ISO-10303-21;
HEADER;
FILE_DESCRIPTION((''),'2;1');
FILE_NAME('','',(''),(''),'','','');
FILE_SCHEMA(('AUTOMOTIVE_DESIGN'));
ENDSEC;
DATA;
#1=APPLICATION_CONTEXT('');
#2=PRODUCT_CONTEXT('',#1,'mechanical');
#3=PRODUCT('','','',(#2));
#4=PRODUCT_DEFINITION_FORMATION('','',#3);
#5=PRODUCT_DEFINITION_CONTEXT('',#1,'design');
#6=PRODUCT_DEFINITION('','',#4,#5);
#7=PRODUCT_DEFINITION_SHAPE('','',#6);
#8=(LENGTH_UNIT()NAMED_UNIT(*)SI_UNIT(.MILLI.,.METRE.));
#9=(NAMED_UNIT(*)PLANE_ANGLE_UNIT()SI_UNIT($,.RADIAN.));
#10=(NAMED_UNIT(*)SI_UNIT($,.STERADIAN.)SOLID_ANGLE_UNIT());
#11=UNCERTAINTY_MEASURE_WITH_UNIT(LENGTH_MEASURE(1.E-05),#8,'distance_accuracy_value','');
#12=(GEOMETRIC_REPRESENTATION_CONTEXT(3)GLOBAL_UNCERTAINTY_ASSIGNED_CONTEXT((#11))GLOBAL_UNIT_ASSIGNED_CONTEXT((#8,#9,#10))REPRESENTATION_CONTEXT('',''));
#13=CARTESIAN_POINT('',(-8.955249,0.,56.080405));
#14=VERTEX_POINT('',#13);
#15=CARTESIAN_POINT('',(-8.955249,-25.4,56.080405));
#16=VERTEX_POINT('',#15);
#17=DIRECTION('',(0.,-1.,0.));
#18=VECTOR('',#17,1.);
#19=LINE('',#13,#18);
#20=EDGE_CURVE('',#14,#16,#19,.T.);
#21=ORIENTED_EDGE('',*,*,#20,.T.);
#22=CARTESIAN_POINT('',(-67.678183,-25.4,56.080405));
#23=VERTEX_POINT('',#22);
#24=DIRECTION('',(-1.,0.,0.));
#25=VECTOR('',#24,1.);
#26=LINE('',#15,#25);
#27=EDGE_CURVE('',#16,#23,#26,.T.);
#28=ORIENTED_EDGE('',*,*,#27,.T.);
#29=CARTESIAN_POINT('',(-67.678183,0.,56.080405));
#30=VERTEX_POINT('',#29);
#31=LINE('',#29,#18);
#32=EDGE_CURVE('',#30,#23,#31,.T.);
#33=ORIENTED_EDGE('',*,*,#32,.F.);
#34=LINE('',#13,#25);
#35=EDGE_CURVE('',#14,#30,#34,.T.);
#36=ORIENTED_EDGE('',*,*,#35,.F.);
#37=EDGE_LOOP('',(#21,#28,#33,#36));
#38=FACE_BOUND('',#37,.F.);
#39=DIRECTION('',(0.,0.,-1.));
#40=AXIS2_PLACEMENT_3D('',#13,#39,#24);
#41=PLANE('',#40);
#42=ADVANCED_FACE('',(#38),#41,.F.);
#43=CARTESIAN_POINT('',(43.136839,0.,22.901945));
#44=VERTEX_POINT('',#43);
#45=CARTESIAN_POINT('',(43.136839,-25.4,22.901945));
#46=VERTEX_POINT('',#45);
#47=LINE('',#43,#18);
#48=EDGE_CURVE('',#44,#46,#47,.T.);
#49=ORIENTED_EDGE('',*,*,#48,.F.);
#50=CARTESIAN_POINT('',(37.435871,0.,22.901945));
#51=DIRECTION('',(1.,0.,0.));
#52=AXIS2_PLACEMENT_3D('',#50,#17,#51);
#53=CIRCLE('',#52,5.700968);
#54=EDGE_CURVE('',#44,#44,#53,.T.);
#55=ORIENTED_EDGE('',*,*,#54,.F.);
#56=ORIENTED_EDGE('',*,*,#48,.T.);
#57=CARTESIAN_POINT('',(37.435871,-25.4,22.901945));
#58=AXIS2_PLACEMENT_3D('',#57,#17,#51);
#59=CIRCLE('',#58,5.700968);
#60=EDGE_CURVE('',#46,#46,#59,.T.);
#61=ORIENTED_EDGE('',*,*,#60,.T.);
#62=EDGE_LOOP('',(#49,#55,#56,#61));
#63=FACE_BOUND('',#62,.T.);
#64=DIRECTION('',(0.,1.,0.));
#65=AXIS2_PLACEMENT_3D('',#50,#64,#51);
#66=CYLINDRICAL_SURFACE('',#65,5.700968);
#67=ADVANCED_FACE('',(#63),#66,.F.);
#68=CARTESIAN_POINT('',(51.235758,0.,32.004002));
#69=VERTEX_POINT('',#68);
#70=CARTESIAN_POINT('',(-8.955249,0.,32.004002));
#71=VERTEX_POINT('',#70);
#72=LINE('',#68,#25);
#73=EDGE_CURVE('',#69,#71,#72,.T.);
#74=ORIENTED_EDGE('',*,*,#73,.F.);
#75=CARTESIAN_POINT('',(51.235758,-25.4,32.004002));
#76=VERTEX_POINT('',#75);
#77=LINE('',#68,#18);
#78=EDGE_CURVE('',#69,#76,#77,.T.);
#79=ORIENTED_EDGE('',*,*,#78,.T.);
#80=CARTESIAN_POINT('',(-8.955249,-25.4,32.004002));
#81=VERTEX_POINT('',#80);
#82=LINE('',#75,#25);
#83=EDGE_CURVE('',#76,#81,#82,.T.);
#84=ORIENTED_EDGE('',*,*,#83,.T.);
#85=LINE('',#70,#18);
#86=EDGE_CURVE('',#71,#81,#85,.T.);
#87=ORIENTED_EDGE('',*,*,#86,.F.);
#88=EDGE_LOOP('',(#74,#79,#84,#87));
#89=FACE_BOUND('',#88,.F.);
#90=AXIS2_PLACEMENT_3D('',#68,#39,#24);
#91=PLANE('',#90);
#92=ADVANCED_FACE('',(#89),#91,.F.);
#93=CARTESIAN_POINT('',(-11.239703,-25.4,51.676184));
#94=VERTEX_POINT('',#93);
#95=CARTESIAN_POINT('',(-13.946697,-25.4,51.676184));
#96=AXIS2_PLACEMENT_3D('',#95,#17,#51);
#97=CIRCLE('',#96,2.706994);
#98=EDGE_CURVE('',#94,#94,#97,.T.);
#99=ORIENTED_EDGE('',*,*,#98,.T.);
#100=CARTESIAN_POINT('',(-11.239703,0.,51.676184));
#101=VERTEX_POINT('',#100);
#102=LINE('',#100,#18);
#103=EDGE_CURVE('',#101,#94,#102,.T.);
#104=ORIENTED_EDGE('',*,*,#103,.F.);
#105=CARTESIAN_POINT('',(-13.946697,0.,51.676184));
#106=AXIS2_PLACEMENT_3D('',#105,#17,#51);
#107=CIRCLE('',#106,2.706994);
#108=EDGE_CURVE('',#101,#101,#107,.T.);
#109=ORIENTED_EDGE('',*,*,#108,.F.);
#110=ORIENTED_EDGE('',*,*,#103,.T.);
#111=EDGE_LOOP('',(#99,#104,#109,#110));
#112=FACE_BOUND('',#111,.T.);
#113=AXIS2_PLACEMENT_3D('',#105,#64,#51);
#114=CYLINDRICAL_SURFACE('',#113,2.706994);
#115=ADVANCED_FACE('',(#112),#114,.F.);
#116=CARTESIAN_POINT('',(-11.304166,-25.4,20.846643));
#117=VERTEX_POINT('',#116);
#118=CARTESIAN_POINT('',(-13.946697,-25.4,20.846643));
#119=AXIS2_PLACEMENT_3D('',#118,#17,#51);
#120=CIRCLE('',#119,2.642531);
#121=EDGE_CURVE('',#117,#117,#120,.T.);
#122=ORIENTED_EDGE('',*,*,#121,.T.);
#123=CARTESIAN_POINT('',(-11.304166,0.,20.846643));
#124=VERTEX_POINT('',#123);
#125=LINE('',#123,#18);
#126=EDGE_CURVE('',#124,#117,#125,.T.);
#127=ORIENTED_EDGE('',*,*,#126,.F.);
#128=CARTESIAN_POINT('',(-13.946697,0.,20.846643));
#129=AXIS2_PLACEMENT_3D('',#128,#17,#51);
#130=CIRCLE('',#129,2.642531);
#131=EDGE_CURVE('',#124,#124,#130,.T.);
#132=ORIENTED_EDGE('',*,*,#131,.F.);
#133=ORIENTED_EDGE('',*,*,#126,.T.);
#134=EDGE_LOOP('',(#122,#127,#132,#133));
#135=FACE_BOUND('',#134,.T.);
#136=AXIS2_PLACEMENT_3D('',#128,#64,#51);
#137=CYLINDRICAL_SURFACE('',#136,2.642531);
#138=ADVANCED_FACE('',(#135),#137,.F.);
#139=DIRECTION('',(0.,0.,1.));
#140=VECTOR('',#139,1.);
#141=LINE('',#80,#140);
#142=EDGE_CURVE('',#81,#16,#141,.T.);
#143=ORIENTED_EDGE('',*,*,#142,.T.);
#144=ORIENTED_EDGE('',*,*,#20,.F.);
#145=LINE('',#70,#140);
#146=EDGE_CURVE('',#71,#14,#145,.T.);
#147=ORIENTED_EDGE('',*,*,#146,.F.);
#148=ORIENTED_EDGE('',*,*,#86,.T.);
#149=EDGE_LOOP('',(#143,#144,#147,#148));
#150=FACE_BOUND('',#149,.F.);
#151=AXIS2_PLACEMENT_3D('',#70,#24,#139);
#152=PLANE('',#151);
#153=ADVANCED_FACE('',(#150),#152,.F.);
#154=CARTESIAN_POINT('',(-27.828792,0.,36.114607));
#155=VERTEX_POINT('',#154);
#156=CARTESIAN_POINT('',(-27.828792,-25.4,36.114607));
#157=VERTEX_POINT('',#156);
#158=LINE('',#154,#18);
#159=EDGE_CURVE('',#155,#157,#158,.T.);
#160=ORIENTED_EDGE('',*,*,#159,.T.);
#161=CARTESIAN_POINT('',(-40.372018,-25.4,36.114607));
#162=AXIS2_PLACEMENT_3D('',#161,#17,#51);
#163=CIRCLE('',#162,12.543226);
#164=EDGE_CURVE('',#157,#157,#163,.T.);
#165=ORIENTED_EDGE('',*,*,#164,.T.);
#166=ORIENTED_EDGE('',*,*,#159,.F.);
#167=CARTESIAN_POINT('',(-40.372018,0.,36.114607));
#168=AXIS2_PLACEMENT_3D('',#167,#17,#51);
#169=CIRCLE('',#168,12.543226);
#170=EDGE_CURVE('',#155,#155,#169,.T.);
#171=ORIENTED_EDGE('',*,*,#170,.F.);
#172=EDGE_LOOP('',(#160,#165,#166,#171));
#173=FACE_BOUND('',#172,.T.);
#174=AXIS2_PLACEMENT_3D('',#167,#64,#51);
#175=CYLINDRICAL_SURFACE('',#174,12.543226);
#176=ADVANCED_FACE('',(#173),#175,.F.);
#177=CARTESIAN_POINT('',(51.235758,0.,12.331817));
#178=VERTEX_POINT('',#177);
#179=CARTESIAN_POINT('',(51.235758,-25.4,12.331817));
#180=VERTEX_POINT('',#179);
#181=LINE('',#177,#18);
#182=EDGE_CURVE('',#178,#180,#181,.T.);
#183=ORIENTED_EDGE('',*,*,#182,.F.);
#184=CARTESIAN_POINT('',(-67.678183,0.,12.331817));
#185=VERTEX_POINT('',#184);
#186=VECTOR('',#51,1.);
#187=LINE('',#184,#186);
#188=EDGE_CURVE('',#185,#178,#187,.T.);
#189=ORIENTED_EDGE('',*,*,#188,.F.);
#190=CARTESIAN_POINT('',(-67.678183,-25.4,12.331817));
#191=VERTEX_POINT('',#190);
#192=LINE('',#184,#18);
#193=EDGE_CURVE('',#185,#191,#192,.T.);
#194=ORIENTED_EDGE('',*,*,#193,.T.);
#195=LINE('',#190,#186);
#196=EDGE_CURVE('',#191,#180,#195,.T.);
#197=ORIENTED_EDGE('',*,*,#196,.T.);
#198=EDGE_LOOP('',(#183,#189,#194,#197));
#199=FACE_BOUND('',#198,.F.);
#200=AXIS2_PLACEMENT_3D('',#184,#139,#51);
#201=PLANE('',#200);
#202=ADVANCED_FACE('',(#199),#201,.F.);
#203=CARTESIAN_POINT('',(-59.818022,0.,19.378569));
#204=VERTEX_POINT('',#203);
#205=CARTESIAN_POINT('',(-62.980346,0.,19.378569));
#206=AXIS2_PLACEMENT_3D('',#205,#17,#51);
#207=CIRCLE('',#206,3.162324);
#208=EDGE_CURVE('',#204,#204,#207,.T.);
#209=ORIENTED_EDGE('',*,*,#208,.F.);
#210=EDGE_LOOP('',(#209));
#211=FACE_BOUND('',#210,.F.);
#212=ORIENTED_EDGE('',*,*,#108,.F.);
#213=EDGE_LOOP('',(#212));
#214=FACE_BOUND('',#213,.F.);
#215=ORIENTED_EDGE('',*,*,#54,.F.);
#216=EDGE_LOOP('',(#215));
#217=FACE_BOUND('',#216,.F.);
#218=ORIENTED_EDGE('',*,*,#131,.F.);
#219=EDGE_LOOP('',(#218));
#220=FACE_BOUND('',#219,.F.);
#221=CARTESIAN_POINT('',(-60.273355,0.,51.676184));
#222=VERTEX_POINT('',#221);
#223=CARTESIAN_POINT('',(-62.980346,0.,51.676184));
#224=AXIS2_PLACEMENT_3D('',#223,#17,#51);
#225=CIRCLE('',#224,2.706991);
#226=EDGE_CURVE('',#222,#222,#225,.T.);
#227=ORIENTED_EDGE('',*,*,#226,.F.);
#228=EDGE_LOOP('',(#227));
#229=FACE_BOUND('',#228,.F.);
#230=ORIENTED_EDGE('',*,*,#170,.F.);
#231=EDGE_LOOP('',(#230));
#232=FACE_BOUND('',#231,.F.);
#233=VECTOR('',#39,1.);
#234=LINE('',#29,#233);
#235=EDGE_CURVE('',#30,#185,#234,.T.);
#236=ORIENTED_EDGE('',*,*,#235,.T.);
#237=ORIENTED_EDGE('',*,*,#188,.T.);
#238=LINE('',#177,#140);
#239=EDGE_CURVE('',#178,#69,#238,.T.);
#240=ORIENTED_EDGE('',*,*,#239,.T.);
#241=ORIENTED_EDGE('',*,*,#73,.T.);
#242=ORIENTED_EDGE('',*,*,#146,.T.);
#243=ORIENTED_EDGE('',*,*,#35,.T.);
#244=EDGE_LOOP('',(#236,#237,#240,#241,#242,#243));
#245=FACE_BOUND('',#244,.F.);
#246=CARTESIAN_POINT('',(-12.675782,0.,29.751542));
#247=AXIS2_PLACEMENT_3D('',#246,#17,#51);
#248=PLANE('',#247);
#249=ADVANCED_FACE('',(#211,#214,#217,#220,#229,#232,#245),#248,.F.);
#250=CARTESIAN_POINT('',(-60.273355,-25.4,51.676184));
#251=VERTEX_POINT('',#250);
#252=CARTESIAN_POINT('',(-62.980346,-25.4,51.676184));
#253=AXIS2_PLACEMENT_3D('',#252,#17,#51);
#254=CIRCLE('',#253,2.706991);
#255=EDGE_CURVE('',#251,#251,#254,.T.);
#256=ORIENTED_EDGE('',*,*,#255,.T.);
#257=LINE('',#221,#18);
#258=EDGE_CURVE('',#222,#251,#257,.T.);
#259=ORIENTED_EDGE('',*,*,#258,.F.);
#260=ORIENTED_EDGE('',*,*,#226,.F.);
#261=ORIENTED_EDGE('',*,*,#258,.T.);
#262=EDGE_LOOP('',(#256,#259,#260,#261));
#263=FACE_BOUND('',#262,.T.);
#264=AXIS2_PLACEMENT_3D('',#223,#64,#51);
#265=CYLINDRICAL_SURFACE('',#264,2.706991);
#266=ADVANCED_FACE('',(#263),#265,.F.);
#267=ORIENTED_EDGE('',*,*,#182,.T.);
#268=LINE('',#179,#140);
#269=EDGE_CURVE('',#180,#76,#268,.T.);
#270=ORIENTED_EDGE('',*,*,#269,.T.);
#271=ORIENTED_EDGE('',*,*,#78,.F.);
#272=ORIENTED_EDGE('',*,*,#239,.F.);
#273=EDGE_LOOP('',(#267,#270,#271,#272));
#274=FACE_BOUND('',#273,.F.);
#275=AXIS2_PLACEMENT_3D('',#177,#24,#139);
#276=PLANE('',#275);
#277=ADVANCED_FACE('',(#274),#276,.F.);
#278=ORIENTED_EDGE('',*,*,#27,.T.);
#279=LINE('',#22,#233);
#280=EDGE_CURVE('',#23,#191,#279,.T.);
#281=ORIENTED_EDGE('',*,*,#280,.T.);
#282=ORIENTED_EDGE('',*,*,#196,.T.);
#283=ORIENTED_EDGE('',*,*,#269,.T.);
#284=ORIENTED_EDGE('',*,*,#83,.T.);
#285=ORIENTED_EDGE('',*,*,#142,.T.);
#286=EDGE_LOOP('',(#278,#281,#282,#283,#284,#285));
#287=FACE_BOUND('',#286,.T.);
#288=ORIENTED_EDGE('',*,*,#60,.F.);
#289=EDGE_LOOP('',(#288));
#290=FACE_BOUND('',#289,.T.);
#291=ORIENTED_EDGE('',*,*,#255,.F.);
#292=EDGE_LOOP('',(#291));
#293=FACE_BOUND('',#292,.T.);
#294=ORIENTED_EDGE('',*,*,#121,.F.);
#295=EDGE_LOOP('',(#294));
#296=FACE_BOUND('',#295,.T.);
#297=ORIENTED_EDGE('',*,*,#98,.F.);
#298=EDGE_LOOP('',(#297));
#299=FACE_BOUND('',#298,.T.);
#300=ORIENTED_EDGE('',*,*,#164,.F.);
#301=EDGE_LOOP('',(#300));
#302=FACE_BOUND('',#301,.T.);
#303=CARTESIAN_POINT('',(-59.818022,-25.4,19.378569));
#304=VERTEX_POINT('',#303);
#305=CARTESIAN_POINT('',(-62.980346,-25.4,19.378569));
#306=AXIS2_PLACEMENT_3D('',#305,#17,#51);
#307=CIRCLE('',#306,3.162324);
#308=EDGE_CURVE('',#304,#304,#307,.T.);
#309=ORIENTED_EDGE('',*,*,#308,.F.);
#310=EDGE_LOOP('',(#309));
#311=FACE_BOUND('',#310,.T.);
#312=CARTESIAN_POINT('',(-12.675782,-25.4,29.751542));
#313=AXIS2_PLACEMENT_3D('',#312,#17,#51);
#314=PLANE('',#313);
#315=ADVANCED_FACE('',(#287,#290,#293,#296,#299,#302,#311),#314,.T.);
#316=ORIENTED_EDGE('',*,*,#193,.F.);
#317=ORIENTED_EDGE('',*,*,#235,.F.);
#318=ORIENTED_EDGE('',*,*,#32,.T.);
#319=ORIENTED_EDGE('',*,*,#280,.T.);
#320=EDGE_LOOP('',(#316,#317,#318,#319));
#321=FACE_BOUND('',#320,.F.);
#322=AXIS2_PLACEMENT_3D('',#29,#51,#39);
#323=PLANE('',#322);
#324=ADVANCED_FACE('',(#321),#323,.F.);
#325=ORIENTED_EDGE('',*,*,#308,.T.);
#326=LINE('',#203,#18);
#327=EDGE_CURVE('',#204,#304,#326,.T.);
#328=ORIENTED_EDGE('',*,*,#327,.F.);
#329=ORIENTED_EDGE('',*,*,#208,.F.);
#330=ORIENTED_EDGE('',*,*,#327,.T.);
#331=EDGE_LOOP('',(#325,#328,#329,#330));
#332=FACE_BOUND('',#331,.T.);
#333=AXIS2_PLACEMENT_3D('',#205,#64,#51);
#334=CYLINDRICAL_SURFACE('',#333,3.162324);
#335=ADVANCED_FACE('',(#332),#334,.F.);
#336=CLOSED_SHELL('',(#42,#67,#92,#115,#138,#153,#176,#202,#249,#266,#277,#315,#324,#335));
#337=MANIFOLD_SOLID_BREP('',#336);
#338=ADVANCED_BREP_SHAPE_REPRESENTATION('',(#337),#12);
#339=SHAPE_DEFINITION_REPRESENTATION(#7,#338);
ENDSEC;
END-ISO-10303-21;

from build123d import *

# Parameters (mm, degrees)
F0_R     = 3.162324
F0_R_2   = 2.642531
F0_R_3   = 5.700968
F0_R_4   = 12.543226
F0_R_5   = 2.706991
F0_R_6   = 2.706994
F1_DEPTH = 25.4


with BuildPart() as f1:
    # F0 (on Front) → F1 (new body)
    with BuildSketch(Plane.XZ):
        Polygon((-8.955249, 56.080405), (-67.678183, 56.080405), (-67.678183, 12.331817), (51.235758, 12.331817), (51.235758, 32.004002), (-8.955249, 32.004002), align=None)
        with Locations((-62.980346, 19.378569)):
            Circle(F0_R, mode=Mode.SUBTRACT)
        with Locations((-13.946697, 20.846643)):
            Circle(F0_R_2, mode=Mode.SUBTRACT)
        with Locations((37.435871, 22.901945)):
            Circle(F0_R_3, mode=Mode.SUBTRACT)
        with Locations((-40.372018, 36.114607)):
            Circle(F0_R_4, mode=Mode.SUBTRACT)
        with Locations((-62.980346, 51.676184)):
            Circle(F0_R_5, mode=Mode.SUBTRACT)
        with Locations((-13.946697, 51.676184)):
            Circle(F0_R_6, mode=Mode.SUBTRACT)
    extrude(amount=F1_DEPTH)


solid = f1.part
